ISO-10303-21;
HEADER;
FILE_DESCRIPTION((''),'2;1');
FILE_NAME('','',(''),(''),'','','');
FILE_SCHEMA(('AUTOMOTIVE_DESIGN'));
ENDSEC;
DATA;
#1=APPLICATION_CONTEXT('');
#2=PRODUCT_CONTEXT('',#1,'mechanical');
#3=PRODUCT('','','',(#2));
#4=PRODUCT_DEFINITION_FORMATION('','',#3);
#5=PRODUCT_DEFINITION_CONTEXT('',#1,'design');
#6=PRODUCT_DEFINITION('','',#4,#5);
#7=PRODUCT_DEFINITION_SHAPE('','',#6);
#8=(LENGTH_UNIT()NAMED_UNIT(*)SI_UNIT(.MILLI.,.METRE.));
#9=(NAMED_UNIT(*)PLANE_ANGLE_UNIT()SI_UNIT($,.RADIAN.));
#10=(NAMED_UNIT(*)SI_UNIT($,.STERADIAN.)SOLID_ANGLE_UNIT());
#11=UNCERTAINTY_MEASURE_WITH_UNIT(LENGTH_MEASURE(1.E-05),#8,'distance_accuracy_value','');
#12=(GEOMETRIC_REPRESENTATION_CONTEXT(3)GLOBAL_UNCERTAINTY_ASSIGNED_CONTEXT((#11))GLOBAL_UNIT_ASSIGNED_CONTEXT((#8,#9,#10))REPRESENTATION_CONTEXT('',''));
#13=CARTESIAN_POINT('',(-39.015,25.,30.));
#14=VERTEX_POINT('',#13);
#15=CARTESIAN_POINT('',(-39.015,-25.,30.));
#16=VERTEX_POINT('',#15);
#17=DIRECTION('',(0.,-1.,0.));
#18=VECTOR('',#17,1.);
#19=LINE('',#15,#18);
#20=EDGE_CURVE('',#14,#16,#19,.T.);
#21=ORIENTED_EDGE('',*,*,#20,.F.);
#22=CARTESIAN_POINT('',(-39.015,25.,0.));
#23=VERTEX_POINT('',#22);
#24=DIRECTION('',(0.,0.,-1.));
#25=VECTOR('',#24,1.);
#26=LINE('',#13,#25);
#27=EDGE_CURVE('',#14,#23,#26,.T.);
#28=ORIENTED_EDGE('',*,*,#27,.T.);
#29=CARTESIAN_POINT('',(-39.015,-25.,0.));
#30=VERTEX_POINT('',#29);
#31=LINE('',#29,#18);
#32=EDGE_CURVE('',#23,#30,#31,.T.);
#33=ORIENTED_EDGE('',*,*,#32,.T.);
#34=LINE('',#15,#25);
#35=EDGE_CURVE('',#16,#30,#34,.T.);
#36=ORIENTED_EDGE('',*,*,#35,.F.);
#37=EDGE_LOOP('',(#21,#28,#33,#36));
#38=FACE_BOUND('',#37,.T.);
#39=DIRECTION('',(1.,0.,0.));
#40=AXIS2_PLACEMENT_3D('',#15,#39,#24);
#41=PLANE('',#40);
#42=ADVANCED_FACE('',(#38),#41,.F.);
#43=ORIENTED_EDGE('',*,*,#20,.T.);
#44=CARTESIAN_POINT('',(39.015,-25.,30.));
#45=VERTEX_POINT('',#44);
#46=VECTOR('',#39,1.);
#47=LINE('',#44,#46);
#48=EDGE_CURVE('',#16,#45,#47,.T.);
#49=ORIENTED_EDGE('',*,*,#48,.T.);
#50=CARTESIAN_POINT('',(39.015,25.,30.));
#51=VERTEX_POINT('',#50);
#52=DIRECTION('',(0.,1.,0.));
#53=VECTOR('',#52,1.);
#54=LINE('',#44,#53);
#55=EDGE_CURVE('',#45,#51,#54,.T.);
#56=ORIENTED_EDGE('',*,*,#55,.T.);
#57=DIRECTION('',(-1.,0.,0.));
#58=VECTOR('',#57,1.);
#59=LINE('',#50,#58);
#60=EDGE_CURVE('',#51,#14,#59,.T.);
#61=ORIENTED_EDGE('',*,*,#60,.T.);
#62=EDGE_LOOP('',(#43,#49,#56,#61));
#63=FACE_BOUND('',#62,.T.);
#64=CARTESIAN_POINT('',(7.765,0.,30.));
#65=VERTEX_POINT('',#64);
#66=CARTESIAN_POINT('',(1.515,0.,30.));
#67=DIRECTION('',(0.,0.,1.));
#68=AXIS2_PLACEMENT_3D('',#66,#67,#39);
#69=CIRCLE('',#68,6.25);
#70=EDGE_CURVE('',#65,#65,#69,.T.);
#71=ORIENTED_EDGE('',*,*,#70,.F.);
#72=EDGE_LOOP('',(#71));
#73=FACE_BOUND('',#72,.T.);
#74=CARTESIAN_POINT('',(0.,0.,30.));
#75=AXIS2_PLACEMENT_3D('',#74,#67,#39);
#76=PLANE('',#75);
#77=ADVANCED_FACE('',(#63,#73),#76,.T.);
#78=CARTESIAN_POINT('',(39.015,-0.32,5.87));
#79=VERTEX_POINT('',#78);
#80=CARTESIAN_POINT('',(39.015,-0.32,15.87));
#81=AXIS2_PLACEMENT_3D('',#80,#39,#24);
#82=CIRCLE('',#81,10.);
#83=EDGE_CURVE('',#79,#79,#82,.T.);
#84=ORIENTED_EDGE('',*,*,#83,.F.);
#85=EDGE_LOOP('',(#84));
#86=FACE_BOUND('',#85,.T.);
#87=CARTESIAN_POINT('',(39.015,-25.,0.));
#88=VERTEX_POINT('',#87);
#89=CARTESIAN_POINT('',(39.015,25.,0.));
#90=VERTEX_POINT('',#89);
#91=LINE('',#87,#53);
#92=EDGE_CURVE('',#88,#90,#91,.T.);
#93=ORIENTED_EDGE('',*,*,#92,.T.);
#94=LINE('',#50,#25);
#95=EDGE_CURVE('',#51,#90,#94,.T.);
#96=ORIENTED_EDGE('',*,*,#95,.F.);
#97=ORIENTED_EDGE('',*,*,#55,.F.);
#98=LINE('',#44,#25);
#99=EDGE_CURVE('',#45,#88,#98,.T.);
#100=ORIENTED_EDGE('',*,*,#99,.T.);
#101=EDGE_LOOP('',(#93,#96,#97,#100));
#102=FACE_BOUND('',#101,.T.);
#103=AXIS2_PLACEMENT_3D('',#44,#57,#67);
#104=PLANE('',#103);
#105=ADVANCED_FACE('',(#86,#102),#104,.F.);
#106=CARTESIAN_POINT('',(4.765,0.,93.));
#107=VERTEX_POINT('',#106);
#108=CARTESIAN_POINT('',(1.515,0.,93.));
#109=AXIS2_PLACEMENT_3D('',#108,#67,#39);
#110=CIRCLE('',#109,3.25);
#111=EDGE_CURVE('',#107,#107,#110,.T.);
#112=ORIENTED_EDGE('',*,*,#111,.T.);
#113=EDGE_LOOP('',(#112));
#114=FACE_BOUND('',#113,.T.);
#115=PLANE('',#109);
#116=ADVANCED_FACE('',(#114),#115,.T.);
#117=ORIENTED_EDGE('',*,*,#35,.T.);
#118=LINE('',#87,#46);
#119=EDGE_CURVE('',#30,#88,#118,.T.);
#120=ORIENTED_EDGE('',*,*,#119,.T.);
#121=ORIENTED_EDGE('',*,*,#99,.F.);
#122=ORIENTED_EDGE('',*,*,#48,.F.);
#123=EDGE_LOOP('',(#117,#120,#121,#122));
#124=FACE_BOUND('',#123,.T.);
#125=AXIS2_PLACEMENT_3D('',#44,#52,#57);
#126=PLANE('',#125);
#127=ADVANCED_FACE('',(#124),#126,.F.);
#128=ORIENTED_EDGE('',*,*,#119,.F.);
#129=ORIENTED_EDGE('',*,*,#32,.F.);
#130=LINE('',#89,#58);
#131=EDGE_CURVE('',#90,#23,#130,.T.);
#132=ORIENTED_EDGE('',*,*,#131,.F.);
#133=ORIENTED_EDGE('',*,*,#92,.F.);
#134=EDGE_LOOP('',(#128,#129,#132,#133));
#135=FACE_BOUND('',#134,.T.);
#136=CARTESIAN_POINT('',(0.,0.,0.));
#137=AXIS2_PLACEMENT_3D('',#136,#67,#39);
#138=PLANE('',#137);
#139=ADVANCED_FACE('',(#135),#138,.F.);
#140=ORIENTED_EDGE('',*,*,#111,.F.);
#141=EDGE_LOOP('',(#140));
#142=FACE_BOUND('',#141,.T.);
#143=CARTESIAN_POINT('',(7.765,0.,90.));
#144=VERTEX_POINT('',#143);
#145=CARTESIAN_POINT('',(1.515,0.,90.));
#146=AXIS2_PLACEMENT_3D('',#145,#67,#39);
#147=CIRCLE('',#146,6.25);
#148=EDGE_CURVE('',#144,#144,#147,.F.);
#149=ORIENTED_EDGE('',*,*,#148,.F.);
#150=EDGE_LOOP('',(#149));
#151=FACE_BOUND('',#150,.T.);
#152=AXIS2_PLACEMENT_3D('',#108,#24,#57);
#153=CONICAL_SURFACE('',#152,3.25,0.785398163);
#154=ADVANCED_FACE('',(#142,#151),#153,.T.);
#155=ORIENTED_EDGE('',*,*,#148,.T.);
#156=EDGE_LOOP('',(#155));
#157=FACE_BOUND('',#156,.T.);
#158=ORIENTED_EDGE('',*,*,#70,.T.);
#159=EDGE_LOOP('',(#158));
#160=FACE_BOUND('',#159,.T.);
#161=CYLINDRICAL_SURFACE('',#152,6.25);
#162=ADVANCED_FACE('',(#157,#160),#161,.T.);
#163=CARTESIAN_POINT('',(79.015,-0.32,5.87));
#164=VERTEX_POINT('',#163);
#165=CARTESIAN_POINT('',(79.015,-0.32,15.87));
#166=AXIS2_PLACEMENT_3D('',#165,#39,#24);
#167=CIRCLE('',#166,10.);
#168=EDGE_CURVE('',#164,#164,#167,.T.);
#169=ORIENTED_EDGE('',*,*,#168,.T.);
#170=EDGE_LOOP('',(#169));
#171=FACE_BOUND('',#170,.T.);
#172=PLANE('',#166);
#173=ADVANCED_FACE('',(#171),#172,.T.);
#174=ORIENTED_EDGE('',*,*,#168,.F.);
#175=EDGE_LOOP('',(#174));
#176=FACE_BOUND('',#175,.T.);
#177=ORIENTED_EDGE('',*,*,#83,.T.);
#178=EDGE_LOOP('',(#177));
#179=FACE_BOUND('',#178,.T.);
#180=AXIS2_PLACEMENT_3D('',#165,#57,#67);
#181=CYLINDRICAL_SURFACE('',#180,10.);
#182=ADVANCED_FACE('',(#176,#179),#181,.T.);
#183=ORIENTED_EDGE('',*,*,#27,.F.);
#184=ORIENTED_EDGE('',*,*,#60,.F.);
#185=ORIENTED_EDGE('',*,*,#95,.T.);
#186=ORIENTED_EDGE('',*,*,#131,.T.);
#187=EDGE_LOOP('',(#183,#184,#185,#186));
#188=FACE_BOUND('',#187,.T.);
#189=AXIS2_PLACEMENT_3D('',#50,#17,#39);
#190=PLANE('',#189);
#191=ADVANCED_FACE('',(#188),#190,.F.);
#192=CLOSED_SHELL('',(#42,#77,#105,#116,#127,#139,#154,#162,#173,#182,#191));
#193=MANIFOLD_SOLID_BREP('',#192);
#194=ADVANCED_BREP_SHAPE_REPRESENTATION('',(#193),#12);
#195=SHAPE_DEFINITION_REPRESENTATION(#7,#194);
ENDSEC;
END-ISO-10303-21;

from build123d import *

# Parameters (mm, degrees)
SKETCH1_W           = 78.03
SKETCH1_H           = 50
BOSS_EXTRUDE2_DEPTH = 30
SKETCH2_R           = 10
BOSS_EXTRUDE3_DEPTH = 40
SKETCH3_R           = 6.25
BOSS_EXTRUDE8_DEPTH = 63
CHAMFER6_SIZE       = 3


with BuildPart() as part:
    # Sketch1 → Boss-Extrude2 (new body)
    with BuildSketch(Plane.XY):
        Rectangle(SKETCH1_W, SKETCH1_H)
    extrude(amount=BOSS_EXTRUDE2_DEPTH)

    # Sketch2 → Boss-Extrude3 (add)
    with BuildSketch(Plane(origin=(39.015, 0, 0), x_dir=(0, 0, -1), z_dir=(1, 0, 0))):
        with Locations((-15.87, -0.32)):
            Circle(SKETCH2_R)
    extrude(amount=BOSS_EXTRUDE3_DEPTH)

    # Sketch3 → Boss-Extrude8 (add)
    with BuildSketch(Plane.XY.offset(30)):
        with Locations((1.515, 0)):
            Circle(SKETCH3_R)
    extrude(amount=BOSS_EXTRUDE8_DEPTH)

    # Chamfer6
    chamfer6_edges = [part.edges().sort_by_distance(p)[0] for p in [
        (-4.735, 0, 93),
    ]]
    chamfer(chamfer6_edges, length=CHAMFER6_SIZE)


solid = part.part
